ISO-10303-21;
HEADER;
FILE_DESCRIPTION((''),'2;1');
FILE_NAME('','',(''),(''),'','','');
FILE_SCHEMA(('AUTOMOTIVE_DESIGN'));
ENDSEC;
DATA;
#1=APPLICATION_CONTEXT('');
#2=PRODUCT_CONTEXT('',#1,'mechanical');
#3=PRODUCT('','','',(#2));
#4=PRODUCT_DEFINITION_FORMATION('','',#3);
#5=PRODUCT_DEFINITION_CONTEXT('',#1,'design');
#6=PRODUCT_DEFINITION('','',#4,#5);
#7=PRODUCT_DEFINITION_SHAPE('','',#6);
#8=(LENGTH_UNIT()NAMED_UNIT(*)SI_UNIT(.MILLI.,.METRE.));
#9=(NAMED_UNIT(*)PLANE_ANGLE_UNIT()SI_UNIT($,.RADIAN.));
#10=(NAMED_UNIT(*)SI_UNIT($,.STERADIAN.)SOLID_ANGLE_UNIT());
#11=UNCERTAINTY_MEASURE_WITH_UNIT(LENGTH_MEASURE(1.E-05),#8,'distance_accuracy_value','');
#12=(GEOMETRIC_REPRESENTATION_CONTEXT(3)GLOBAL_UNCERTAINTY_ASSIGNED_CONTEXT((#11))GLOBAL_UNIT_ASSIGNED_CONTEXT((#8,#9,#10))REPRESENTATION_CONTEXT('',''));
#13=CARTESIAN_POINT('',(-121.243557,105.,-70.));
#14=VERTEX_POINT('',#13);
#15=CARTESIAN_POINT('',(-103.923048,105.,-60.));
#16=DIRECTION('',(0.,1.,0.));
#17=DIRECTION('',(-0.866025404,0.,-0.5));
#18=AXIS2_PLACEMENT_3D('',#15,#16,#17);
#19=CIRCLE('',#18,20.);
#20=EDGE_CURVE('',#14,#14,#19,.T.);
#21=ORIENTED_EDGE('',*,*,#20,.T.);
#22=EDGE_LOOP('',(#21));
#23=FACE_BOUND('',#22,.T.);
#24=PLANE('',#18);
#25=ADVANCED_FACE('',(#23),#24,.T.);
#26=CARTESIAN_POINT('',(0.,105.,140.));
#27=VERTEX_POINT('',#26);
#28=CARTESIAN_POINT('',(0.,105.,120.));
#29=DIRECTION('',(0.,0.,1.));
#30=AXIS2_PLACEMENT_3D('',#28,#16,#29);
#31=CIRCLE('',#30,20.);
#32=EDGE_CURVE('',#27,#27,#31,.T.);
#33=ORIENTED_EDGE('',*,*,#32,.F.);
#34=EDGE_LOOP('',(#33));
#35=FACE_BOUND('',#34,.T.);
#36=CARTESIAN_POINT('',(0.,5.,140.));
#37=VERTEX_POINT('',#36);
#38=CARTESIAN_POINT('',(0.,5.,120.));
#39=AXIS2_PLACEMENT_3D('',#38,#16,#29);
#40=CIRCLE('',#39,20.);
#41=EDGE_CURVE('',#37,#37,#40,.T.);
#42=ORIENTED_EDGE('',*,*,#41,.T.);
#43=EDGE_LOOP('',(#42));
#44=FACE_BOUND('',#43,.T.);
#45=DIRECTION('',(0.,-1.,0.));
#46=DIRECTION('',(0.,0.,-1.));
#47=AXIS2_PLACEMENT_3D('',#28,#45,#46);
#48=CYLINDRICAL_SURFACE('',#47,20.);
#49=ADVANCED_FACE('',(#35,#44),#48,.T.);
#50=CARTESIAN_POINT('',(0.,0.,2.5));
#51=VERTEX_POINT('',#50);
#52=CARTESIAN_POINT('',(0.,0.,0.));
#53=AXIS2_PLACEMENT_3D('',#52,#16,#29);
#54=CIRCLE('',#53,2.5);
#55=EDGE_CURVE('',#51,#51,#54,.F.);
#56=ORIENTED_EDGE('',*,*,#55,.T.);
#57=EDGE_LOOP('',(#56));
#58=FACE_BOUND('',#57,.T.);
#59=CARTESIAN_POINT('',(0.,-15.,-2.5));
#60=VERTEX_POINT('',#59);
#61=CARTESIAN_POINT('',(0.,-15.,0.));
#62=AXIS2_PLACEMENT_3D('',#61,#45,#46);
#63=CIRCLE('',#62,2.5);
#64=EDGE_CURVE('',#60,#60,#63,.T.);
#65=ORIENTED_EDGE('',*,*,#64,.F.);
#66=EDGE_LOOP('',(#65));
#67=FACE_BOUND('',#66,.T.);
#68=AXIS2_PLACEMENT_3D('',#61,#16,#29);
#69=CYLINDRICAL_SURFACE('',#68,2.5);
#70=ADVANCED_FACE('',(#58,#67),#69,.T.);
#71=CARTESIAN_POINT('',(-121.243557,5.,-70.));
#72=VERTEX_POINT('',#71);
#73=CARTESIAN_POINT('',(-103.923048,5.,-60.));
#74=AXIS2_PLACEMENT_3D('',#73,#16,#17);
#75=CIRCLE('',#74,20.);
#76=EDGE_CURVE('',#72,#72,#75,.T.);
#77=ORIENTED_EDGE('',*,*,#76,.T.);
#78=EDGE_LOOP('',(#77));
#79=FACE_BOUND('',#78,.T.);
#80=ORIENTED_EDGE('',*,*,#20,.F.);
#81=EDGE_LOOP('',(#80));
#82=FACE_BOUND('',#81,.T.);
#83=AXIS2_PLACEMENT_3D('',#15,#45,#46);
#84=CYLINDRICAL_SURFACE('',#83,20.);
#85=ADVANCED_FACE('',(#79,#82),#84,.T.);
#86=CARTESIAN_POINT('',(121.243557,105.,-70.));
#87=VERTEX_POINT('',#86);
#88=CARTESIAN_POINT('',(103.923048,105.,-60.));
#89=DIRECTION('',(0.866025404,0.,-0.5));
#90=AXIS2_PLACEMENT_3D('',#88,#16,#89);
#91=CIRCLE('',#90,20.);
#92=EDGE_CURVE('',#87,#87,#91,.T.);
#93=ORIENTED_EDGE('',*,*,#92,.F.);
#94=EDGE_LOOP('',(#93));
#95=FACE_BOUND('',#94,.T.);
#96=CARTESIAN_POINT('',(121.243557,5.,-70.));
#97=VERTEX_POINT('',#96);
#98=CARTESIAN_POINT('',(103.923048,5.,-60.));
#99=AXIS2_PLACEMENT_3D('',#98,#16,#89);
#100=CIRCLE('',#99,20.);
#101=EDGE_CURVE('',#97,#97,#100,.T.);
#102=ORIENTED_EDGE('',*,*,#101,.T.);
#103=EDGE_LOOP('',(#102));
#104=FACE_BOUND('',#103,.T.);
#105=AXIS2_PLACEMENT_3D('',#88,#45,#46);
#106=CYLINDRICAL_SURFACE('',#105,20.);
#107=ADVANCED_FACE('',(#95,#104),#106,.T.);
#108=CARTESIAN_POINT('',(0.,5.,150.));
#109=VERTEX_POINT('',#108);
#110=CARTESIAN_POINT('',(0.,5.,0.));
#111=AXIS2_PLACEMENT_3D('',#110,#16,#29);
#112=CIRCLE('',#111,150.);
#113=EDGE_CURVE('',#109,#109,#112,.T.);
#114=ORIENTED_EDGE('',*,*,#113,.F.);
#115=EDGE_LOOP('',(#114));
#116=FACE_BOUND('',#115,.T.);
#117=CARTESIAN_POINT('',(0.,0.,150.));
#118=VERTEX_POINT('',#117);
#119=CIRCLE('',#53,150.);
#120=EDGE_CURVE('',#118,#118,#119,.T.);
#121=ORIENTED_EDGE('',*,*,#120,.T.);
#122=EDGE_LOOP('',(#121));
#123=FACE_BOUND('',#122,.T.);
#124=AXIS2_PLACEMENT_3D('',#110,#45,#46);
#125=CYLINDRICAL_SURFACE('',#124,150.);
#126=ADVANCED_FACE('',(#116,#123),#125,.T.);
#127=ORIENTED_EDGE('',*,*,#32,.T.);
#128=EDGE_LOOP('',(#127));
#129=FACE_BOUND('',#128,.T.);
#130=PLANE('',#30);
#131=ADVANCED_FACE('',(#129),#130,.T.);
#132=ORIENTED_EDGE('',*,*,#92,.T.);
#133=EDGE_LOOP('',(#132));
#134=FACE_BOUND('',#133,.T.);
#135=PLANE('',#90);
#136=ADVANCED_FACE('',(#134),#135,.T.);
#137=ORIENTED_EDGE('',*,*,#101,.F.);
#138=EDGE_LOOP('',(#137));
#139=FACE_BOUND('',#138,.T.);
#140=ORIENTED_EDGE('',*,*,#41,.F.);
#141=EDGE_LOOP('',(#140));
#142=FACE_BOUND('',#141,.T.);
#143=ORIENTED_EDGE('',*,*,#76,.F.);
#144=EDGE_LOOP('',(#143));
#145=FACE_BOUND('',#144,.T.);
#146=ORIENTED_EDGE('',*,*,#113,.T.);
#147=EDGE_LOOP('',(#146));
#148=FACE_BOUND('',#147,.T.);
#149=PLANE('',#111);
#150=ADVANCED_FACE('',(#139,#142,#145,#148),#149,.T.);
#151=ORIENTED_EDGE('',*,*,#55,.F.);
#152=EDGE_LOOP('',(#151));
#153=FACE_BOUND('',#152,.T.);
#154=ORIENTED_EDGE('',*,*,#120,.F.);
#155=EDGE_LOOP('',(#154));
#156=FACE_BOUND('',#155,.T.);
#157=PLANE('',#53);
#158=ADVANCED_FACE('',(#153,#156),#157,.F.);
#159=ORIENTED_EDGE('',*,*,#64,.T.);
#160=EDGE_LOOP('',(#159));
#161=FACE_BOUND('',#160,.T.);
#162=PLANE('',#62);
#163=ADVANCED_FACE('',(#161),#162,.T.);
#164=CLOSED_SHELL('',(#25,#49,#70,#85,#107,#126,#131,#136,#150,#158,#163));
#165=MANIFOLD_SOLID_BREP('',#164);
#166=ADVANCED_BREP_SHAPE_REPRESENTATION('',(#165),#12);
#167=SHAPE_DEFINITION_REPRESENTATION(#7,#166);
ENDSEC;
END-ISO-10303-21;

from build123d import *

# Parameters (mm, degrees)
SKETCH_1_R               = 150
EXTRUDE_1_DEPTH          = 5
SKETCH_2_R               = 20
EXTRUDE_2_DEPTH          = 100
PATTERN_CIRCULAR_1_COUNT = 3
SKETCH_3_R               = 2.5
EXTRUDE_3_DEPTH          = 15


with BuildPart() as part:
    # 草图1 → 凸台-拉伸1 (new body)
    with BuildSketch(Plane(origin=(0, 0, 0), x_dir=(1, 0, 0), z_dir=(0, 1, 0))):
        with Locations(Location((0, 0, 0), (0, 0, 270))):
            Circle(SKETCH_1_R)
    extrude(amount=EXTRUDE_1_DEPTH)

    # 草图2 → 凸台-拉伸2 (add)
    with BuildSketch(Plane(origin=(0, 5, 0), x_dir=(1, 0, 0), z_dir=(0, 1, 0))):
        with Locations(Location((0, -120, 0), (0, 0, 270))):
            Circle(SKETCH_2_R)
    extrude_2 = extrude(amount=EXTRUDE_2_DEPTH)

    # 阵列(圆周)1: 凸台-拉伸2 ×3 about axis
    pattern_circular_1_axis = Axis((0, 0, 0), (0, 1, 0))
    for i in range(1, PATTERN_CIRCULAR_1_COUNT):
        add(extrude_2.rotate(pattern_circular_1_axis, i * 360 / PATTERN_CIRCULAR_1_COUNT))

    # 草图3 → 凸台-拉伸3 (add)
    with BuildSketch(Plane.XZ):
        with Locations(Location((0, 0, 0), (0, 0, 90))):
            Circle(SKETCH_3_R)
    extrude(amount=EXTRUDE_3_DEPTH)


solid = part.part
